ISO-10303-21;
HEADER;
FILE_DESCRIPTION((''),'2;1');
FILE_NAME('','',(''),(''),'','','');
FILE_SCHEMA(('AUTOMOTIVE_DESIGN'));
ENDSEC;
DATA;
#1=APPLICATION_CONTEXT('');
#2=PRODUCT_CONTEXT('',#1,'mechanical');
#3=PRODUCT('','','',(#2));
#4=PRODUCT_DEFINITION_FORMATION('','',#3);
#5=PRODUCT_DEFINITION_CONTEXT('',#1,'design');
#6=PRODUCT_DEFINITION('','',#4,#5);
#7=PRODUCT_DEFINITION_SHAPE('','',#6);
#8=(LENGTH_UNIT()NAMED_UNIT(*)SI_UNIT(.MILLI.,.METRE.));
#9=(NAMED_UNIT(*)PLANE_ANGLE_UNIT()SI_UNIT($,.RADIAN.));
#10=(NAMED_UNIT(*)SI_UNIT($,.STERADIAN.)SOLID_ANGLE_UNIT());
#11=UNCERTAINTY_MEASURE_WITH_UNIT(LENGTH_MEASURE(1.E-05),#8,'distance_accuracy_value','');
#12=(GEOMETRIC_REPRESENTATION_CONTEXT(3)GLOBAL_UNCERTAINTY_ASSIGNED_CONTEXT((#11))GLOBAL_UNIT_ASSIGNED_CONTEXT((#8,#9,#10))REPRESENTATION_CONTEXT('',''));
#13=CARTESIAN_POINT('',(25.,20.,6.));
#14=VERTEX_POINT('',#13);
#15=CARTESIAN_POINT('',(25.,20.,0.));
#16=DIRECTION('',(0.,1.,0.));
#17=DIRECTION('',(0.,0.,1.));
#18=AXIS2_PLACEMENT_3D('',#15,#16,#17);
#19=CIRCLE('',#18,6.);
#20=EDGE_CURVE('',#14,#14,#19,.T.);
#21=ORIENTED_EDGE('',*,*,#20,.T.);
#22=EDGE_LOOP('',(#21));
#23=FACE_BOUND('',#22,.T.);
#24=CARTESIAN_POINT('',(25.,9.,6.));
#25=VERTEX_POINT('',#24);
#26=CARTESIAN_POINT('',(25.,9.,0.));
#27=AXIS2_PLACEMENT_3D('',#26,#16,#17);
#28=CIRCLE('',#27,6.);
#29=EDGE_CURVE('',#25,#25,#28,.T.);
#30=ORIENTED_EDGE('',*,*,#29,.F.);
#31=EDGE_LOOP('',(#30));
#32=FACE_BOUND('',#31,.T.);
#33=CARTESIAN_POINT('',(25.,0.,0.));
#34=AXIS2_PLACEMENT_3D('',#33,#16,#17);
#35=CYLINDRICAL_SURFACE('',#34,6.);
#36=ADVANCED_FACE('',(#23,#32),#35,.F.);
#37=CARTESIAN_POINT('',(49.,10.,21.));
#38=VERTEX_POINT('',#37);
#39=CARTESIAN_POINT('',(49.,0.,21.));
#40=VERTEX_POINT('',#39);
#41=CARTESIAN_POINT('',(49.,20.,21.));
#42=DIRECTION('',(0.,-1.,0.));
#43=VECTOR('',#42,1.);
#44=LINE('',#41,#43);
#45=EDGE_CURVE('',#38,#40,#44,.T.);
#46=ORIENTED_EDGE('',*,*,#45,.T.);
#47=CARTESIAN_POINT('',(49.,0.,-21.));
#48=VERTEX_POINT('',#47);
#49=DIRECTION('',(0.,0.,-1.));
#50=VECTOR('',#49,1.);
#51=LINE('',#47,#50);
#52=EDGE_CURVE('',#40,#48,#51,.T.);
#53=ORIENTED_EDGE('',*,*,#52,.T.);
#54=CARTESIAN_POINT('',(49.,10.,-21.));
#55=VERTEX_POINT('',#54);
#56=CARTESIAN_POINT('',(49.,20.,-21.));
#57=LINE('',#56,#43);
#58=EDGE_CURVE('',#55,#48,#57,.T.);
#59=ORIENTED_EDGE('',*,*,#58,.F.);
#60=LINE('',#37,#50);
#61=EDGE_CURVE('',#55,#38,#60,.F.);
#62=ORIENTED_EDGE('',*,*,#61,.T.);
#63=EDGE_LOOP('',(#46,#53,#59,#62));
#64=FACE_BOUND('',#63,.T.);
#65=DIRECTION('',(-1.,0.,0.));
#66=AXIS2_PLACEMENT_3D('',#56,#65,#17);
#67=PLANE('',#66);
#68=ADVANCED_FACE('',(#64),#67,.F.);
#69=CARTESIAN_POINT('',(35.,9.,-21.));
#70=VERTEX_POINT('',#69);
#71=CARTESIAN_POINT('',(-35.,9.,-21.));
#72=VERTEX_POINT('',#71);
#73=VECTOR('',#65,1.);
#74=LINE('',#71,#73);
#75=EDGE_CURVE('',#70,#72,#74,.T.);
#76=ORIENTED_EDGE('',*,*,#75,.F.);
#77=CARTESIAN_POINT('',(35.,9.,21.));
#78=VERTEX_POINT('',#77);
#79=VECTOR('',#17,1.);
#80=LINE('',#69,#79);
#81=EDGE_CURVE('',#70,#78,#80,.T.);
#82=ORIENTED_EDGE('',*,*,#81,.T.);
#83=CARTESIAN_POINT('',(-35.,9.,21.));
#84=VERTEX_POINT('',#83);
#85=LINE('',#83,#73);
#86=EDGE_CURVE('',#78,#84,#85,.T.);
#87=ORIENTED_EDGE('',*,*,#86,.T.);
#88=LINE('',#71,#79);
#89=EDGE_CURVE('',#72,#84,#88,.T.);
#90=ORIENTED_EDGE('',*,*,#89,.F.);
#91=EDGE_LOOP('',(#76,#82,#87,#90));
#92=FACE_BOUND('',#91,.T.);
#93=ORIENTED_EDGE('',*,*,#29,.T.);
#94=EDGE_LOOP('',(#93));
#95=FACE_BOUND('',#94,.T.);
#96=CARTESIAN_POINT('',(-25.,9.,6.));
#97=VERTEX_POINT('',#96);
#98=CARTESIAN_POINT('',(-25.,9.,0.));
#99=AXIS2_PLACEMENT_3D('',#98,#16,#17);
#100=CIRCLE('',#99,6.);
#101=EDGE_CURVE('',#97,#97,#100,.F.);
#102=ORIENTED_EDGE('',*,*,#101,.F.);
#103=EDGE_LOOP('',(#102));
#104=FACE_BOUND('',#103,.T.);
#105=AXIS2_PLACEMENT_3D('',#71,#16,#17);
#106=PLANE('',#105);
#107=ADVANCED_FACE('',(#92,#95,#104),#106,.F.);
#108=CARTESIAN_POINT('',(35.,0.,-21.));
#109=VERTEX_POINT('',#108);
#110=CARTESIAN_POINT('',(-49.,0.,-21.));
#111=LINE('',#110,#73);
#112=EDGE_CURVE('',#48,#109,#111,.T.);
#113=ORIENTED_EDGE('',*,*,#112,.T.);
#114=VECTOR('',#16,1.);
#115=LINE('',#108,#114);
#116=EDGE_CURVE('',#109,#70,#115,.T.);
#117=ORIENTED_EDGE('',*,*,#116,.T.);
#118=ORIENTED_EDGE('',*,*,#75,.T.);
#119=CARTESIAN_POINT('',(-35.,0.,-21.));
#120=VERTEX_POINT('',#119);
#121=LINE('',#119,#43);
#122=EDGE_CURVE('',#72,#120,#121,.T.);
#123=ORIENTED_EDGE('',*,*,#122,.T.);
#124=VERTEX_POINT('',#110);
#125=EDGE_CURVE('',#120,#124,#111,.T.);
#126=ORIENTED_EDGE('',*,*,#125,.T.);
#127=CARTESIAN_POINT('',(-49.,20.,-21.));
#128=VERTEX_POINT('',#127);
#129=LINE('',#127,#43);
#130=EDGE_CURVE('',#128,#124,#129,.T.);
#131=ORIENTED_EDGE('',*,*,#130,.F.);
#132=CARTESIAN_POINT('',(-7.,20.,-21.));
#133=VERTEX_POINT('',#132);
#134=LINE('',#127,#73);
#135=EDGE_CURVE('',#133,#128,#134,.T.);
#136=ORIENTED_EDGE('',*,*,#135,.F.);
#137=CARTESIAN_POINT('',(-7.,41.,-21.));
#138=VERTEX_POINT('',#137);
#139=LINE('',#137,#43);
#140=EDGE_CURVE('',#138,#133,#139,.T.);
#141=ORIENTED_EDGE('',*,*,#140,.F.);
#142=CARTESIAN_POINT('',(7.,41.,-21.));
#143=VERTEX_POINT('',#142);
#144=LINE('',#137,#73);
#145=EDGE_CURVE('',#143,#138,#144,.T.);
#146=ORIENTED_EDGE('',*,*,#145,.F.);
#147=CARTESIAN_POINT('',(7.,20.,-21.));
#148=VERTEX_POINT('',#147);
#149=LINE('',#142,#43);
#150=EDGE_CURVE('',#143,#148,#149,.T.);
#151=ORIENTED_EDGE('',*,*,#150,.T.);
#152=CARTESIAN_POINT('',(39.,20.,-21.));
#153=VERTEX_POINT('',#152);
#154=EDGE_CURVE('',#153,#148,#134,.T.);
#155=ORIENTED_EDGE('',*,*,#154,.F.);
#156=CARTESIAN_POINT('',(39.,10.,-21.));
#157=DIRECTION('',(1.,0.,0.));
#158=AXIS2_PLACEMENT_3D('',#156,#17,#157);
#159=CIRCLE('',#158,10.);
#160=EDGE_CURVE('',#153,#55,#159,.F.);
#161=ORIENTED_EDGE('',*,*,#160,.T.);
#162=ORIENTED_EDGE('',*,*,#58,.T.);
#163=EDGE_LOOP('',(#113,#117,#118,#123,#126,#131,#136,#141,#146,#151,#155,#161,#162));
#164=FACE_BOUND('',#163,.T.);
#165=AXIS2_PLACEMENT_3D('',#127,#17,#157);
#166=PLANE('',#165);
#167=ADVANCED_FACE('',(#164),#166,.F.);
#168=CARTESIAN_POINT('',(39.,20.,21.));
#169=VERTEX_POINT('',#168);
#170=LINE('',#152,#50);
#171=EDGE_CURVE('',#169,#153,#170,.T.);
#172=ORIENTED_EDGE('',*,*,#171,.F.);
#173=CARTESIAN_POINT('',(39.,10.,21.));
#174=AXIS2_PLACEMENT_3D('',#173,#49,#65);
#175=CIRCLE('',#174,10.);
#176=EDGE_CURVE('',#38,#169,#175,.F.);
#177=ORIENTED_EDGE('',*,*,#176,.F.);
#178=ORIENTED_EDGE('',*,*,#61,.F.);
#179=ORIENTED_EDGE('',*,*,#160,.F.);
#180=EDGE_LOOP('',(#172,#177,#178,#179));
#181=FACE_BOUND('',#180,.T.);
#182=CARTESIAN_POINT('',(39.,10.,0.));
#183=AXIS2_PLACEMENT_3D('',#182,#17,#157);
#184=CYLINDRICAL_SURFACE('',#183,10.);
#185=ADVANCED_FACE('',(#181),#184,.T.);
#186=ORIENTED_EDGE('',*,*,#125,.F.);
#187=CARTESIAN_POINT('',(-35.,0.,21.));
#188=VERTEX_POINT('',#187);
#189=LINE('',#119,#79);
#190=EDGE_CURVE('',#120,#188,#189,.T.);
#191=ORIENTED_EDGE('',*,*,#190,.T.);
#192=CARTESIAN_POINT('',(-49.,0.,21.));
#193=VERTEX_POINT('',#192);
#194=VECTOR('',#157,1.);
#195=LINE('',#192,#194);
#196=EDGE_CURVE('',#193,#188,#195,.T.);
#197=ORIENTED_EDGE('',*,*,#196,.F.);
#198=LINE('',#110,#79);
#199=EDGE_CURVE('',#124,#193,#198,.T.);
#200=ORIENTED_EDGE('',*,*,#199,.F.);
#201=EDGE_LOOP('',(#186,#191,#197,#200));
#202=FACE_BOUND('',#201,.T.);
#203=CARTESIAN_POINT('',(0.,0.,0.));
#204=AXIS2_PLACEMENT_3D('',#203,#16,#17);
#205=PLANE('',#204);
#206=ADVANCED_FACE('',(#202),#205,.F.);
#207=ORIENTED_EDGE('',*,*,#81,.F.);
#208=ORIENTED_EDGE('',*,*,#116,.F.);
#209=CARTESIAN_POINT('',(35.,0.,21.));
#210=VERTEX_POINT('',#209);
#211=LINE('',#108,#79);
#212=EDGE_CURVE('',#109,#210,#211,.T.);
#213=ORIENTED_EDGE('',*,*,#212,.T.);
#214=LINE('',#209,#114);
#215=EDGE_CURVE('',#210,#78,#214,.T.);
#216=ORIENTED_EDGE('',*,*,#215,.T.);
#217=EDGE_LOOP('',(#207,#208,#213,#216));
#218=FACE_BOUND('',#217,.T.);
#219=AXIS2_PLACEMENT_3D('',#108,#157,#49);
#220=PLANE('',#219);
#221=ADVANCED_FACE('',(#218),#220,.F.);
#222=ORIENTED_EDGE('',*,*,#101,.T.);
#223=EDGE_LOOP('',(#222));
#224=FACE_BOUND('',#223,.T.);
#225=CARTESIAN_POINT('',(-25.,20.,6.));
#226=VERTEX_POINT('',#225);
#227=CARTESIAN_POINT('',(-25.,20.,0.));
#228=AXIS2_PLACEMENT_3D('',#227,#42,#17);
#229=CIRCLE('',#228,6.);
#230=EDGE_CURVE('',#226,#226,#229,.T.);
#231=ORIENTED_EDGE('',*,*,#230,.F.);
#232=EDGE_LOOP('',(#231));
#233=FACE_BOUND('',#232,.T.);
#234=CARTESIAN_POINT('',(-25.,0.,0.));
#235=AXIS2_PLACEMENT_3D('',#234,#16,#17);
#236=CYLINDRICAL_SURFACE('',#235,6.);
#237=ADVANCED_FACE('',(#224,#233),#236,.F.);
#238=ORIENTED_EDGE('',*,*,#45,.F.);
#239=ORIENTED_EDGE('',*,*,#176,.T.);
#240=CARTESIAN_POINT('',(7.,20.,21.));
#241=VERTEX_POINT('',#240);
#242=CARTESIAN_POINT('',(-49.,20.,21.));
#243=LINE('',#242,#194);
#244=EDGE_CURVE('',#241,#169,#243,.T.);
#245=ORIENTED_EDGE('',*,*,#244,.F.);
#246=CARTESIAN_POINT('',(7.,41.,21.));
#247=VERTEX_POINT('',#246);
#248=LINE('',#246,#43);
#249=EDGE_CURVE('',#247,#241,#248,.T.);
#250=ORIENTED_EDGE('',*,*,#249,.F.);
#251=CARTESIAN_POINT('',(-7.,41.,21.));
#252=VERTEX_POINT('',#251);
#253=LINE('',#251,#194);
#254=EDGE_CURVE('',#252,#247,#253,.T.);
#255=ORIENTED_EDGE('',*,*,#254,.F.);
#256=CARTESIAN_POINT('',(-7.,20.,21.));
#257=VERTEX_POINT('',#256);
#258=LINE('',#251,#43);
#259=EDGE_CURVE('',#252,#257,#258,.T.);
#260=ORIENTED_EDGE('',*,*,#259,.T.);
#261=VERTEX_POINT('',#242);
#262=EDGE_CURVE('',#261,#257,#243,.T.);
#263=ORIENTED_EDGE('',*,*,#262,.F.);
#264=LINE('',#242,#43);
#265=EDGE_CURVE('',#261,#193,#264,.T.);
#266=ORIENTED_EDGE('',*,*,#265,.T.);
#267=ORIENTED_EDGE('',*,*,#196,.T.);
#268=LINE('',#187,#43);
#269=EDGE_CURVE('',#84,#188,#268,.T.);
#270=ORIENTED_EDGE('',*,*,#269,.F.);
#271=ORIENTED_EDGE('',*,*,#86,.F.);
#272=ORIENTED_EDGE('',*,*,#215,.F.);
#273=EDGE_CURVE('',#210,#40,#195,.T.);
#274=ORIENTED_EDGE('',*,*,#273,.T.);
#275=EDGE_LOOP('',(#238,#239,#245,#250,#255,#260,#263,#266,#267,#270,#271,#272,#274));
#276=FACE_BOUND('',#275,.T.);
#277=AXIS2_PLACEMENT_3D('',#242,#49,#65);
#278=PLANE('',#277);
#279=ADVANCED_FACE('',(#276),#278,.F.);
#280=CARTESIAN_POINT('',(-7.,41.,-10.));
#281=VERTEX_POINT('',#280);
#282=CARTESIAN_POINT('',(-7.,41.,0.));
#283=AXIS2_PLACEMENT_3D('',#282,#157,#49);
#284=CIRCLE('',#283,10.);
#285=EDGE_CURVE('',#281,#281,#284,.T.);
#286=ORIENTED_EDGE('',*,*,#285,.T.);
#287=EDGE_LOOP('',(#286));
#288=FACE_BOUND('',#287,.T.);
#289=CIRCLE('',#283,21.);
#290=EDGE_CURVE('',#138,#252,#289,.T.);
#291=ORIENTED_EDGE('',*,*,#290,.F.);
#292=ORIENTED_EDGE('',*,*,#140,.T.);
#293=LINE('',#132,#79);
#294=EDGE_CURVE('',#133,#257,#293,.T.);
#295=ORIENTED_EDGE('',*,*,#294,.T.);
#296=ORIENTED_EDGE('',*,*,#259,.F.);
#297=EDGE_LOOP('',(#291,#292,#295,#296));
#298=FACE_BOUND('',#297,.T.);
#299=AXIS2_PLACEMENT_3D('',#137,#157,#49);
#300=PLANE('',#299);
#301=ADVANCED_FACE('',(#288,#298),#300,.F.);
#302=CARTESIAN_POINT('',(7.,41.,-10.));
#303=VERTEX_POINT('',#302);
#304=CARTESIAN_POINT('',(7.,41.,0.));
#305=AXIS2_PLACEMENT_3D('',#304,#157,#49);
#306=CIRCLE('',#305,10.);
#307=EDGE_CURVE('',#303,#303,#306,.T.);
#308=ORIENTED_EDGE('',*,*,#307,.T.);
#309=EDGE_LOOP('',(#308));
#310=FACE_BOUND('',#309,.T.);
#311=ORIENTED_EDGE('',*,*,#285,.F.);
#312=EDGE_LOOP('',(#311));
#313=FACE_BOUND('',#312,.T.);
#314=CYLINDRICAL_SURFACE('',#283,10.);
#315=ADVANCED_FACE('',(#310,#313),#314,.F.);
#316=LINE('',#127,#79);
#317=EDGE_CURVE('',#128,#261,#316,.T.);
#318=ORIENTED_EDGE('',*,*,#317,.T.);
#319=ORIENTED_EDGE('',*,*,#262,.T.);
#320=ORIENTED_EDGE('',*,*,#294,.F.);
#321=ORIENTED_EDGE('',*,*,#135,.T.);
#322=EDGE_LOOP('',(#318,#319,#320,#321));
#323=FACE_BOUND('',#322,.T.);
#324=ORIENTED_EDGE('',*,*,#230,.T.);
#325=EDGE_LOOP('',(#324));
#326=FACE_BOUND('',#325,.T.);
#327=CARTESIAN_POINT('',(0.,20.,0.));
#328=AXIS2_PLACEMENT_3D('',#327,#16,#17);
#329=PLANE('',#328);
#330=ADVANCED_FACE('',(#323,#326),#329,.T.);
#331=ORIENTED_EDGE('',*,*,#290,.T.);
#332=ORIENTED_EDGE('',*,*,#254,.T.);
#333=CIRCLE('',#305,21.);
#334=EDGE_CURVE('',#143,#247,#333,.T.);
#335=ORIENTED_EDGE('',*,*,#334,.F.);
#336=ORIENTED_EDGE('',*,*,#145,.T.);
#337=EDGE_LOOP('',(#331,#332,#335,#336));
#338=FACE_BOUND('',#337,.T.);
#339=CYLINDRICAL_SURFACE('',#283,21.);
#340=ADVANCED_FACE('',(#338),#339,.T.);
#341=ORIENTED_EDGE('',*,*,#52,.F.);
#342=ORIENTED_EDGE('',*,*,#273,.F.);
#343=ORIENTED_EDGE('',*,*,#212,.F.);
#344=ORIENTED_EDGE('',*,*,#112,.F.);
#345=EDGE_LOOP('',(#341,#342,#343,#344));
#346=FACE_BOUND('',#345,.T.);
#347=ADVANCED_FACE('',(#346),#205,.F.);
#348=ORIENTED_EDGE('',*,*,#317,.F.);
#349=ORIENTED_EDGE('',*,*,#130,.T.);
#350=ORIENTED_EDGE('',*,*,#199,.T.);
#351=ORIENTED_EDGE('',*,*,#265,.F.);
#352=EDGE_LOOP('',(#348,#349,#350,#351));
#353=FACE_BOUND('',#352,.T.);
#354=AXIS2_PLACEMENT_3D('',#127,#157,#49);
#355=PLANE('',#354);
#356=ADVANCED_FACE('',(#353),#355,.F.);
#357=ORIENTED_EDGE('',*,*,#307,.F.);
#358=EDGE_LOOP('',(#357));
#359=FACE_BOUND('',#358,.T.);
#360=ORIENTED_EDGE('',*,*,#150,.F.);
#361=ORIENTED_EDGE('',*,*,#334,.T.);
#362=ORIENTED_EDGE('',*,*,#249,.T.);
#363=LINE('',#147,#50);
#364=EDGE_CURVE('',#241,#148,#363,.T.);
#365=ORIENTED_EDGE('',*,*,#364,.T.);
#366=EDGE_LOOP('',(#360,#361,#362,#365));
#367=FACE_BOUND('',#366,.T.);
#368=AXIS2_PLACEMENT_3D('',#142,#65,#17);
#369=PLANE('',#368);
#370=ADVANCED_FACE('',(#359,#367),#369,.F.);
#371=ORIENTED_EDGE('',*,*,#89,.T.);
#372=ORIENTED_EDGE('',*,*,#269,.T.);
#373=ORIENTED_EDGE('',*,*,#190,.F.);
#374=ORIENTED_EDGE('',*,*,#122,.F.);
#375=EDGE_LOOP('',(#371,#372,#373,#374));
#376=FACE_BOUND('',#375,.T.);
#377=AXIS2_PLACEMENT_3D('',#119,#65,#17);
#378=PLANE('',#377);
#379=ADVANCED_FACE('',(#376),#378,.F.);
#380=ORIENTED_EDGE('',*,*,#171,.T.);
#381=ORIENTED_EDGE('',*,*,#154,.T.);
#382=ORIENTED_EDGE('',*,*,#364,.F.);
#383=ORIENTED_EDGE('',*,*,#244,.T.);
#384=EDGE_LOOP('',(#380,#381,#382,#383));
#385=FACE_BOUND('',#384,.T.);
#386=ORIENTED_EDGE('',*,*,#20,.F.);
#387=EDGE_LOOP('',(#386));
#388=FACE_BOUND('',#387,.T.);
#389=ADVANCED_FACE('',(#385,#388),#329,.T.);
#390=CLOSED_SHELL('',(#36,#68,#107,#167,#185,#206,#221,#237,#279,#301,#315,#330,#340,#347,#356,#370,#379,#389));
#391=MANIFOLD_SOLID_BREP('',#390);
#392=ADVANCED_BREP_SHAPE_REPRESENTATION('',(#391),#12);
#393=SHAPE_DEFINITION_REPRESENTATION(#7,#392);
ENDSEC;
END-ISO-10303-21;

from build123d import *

# Parameters (mm, degrees)
SKETCH1_W           = 98
SKETCH1_H           = 42
BOSS_EXTRUDE1_DEPTH = 20
SKETCH2_W           = 70
SKETCH2_H           = 9
CUT_EXTRUDE1_DEPTH  = 68.564783726
SKETCH3_W           = 14
SKETCH3_H           = 42
BOSS_EXTRUDE2_DEPTH = 21
SKETCH4_R           = 21
BOSS_EXTRUDE3_DEPTH = 14
SKETCH5_R           = 6
CUT_EXTRUDE2_DEPTH  = 68.867518004
FILLET3_R           = 10
SKETCH6_R           = 10
CUT_EXTRUDE3_DEPTH  = 14


with BuildPart() as part:
    # Sketch1 → Boss-Extrude1 (new body)
    with BuildSketch(Plane(origin=(0, 0, 0), x_dir=(1, 0, 0), z_dir=(0, 1, 0))):
        Rectangle(SKETCH1_W, SKETCH1_H)
    extrude(amount=BOSS_EXTRUDE1_DEPTH)

    # Sketch2 → Cut-Extrude1 (cut, through all)
    with BuildSketch(Plane.XY.offset(21)):
        with Locations((0, 4.5)):
            Rectangle(SKETCH2_W, SKETCH2_H)
    extrude(amount=-CUT_EXTRUDE1_DEPTH, mode=Mode.SUBTRACT)

    # Sketch3 → Boss-Extrude2 (add)
    with BuildSketch(Plane(origin=(0, 20, 0), x_dir=(1, 0, 0), z_dir=(0, 1, 0))):
        Rectangle(SKETCH3_W, SKETCH3_H)
    extrude(amount=BOSS_EXTRUDE2_DEPTH)

    # Sketch4 → Boss-Extrude3 (add)
    with BuildSketch(Plane(origin=(7, 0, 0), x_dir=(0, 0, -1), z_dir=(1, 0, 0))):
        with Locations((0, 41)):
            Circle(SKETCH4_R)
    extrude(amount=-BOSS_EXTRUDE3_DEPTH)

    # Sketch5 → Cut-Extrude2 (cut, through all)
    with BuildSketch(Plane(origin=(0, 20, 0), x_dir=(1, 0, 0), z_dir=(0, 1, 0))):
        with Locations(Location((25, 0, 0), (0, 0, 270))):
            Circle(SKETCH5_R)
    cut_extrude2 = extrude(amount=-CUT_EXTRUDE2_DEPTH, mode=Mode.SUBTRACT)

    # Mirror1: Cut-Extrude2 across plane
    add(cut_extrude2.mirror(Plane(origin=(0, 0, 0), x_dir=(0, 0, 1), z_dir=(1, 0, 0))), mode=Mode.SUBTRACT)

    # Fillet3
    fillet3_edges = [part.edges().sort_by_distance(p)[0] for p in [
        (49, 20, 0),
    ]]
    fillet(fillet3_edges, radius=FILLET3_R)

    # Sketch6 → Cut-Extrude3 (cut)
    with BuildSketch(Plane(origin=(7, 0, 0), x_dir=(0, 0, -1), z_dir=(1, 0, 0))):
        with Locations((0, 41)):
            Circle(SKETCH6_R)
    extrude(amount=-CUT_EXTRUDE3_DEPTH, mode=Mode.SUBTRACT)


solid = part.part
